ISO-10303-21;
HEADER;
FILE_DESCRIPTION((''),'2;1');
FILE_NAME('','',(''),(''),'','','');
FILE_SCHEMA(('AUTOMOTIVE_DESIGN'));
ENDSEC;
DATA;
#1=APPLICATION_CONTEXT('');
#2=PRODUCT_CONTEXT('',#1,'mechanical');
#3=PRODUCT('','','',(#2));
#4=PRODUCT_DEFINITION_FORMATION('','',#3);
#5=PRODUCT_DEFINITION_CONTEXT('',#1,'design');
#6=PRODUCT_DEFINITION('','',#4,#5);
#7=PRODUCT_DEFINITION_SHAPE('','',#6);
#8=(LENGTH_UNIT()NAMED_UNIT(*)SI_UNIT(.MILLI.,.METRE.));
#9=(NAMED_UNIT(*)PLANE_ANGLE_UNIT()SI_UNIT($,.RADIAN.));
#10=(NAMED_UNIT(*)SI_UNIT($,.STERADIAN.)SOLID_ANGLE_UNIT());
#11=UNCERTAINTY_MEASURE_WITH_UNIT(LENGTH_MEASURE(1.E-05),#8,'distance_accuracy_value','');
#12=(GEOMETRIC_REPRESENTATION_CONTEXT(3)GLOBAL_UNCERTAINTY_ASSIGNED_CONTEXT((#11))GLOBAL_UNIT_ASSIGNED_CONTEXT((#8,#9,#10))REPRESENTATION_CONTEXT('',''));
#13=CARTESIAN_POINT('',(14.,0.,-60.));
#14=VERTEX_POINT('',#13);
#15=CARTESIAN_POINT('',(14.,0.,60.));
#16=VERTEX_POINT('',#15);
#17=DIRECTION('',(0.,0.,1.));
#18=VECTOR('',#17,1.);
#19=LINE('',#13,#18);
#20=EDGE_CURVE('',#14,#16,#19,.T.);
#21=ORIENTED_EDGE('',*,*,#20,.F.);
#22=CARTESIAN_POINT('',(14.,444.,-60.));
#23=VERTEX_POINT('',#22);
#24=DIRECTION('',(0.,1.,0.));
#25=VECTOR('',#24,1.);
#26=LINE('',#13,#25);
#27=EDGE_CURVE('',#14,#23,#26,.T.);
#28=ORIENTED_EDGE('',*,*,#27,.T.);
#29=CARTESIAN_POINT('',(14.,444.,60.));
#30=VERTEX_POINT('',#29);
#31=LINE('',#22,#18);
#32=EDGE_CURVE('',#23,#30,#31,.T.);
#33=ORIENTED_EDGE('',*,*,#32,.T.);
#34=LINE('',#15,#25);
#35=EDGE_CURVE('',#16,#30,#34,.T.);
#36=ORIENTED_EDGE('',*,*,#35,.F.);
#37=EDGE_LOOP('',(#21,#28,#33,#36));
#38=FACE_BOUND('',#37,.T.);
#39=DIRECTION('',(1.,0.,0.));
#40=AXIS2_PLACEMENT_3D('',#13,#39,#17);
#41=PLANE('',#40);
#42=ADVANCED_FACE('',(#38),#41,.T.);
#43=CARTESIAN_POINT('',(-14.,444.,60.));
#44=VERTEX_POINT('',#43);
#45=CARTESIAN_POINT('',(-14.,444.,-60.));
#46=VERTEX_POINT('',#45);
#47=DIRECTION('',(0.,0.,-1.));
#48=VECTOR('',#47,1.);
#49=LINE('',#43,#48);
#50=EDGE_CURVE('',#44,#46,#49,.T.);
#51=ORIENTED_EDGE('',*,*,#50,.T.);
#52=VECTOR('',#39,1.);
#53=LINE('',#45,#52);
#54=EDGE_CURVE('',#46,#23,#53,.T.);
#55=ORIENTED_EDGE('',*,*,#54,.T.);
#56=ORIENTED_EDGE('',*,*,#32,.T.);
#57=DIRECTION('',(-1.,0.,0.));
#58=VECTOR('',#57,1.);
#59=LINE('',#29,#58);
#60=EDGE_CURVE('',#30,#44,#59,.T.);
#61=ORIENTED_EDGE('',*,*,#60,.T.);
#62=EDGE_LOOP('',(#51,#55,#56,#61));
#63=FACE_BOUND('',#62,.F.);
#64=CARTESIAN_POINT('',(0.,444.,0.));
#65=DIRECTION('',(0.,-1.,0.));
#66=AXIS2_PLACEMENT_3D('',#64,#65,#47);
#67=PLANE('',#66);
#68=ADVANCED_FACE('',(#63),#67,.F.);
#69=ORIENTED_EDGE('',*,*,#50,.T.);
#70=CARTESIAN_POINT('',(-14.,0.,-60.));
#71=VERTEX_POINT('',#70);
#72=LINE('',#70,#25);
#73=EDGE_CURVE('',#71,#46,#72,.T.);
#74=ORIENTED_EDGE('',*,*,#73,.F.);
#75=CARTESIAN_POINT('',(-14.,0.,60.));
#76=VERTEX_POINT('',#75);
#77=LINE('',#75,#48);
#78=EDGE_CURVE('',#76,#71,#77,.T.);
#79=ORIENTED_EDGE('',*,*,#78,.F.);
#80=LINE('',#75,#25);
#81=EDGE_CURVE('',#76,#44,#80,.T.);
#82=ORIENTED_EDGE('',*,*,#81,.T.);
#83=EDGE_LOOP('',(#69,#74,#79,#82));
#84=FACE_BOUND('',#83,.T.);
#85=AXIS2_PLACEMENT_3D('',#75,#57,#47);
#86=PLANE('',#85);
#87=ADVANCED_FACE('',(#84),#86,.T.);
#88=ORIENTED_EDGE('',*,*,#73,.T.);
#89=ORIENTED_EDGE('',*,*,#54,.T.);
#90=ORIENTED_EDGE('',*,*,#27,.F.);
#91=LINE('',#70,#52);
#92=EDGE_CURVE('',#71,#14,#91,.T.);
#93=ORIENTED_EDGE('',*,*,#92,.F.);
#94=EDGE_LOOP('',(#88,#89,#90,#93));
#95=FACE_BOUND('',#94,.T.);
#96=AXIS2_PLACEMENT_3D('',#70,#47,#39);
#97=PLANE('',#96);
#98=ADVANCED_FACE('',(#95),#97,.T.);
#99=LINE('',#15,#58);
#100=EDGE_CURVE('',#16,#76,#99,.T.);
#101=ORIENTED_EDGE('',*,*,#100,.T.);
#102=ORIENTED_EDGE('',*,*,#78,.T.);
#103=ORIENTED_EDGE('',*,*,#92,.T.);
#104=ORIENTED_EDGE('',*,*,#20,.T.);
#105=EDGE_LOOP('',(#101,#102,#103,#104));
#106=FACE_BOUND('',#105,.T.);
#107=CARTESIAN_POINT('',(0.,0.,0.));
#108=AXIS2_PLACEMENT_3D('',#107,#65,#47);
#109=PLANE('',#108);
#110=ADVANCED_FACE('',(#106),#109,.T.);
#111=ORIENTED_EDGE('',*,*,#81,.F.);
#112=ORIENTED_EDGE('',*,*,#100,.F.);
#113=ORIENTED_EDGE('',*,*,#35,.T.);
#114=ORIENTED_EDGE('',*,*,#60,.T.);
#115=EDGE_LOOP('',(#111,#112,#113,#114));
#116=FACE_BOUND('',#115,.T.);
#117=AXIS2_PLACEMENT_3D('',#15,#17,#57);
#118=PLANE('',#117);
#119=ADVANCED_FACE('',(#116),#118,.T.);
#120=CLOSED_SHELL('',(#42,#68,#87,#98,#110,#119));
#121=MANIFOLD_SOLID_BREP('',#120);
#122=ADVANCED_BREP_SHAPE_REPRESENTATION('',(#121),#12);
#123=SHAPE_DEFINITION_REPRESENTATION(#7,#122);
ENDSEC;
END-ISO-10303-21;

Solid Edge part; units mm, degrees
sketch "Sketch1" plane through (0, 0, 0) normal (0, -1, 0) x (1, 0, 0)
  line L0 (-14, -60) -> (14, -60)
  line L1 (14, -60) -> (14, 60)
  line L2 (14, 60) -> (-14, 60)
  line L3 (-14, 60) -> (-14, -60)
extrude "Protrusion1" add sketch "Sketch1" against normal blind 444
properties material "Wood, Pine"
